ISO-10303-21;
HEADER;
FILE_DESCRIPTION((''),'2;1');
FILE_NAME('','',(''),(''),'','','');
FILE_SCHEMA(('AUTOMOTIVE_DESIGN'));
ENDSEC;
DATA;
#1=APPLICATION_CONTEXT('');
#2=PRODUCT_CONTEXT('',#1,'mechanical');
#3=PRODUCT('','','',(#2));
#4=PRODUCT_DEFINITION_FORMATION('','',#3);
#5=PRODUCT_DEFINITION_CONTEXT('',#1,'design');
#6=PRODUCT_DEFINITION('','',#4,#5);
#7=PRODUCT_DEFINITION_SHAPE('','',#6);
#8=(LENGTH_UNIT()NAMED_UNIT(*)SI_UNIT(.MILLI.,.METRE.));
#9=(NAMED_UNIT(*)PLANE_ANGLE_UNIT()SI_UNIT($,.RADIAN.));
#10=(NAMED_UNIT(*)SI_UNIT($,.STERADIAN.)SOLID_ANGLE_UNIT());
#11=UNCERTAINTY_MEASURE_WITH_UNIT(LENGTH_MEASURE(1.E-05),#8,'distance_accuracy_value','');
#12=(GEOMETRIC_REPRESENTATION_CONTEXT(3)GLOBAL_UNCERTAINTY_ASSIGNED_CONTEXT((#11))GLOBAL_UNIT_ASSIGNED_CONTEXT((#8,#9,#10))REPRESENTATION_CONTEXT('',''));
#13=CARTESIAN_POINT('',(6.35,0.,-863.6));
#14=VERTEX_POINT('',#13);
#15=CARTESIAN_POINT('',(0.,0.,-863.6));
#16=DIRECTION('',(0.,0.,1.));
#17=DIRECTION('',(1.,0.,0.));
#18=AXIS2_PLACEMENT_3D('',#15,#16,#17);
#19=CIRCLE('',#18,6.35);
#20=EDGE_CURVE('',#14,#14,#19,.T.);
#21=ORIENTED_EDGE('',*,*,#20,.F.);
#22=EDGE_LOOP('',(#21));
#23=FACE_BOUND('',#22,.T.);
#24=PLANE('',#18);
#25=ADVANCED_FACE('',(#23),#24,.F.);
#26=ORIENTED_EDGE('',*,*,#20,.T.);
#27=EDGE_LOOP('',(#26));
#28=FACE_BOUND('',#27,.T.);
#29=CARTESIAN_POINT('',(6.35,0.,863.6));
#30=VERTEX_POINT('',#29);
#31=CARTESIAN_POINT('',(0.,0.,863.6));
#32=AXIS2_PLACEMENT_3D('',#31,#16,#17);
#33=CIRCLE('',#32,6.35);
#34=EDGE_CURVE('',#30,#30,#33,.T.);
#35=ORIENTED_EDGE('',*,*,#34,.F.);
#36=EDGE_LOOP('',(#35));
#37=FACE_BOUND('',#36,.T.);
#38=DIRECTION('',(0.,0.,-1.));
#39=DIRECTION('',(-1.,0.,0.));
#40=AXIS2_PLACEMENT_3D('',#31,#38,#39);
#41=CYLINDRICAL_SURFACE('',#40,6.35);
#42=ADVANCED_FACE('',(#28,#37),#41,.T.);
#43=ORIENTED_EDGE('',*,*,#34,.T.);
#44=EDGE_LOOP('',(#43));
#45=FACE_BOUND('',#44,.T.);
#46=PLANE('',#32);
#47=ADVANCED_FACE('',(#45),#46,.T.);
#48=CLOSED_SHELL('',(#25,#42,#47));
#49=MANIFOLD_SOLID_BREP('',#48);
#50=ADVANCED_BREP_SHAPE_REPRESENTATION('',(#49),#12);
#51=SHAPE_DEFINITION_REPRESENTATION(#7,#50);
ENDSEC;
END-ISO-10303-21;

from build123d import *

# Parameters (mm, degrees)
SKETCH1_R           = 6.35
BOSS_EXTRUDE1_DEPTH = 863.6


with BuildPart() as part:
    # Sketch1 → Boss-Extrude1 (new body, symmetric)
    with BuildSketch(Plane.XY):
        Circle(SKETCH1_R)
    extrude(amount=BOSS_EXTRUDE1_DEPTH, both=True)


solid = part.part
